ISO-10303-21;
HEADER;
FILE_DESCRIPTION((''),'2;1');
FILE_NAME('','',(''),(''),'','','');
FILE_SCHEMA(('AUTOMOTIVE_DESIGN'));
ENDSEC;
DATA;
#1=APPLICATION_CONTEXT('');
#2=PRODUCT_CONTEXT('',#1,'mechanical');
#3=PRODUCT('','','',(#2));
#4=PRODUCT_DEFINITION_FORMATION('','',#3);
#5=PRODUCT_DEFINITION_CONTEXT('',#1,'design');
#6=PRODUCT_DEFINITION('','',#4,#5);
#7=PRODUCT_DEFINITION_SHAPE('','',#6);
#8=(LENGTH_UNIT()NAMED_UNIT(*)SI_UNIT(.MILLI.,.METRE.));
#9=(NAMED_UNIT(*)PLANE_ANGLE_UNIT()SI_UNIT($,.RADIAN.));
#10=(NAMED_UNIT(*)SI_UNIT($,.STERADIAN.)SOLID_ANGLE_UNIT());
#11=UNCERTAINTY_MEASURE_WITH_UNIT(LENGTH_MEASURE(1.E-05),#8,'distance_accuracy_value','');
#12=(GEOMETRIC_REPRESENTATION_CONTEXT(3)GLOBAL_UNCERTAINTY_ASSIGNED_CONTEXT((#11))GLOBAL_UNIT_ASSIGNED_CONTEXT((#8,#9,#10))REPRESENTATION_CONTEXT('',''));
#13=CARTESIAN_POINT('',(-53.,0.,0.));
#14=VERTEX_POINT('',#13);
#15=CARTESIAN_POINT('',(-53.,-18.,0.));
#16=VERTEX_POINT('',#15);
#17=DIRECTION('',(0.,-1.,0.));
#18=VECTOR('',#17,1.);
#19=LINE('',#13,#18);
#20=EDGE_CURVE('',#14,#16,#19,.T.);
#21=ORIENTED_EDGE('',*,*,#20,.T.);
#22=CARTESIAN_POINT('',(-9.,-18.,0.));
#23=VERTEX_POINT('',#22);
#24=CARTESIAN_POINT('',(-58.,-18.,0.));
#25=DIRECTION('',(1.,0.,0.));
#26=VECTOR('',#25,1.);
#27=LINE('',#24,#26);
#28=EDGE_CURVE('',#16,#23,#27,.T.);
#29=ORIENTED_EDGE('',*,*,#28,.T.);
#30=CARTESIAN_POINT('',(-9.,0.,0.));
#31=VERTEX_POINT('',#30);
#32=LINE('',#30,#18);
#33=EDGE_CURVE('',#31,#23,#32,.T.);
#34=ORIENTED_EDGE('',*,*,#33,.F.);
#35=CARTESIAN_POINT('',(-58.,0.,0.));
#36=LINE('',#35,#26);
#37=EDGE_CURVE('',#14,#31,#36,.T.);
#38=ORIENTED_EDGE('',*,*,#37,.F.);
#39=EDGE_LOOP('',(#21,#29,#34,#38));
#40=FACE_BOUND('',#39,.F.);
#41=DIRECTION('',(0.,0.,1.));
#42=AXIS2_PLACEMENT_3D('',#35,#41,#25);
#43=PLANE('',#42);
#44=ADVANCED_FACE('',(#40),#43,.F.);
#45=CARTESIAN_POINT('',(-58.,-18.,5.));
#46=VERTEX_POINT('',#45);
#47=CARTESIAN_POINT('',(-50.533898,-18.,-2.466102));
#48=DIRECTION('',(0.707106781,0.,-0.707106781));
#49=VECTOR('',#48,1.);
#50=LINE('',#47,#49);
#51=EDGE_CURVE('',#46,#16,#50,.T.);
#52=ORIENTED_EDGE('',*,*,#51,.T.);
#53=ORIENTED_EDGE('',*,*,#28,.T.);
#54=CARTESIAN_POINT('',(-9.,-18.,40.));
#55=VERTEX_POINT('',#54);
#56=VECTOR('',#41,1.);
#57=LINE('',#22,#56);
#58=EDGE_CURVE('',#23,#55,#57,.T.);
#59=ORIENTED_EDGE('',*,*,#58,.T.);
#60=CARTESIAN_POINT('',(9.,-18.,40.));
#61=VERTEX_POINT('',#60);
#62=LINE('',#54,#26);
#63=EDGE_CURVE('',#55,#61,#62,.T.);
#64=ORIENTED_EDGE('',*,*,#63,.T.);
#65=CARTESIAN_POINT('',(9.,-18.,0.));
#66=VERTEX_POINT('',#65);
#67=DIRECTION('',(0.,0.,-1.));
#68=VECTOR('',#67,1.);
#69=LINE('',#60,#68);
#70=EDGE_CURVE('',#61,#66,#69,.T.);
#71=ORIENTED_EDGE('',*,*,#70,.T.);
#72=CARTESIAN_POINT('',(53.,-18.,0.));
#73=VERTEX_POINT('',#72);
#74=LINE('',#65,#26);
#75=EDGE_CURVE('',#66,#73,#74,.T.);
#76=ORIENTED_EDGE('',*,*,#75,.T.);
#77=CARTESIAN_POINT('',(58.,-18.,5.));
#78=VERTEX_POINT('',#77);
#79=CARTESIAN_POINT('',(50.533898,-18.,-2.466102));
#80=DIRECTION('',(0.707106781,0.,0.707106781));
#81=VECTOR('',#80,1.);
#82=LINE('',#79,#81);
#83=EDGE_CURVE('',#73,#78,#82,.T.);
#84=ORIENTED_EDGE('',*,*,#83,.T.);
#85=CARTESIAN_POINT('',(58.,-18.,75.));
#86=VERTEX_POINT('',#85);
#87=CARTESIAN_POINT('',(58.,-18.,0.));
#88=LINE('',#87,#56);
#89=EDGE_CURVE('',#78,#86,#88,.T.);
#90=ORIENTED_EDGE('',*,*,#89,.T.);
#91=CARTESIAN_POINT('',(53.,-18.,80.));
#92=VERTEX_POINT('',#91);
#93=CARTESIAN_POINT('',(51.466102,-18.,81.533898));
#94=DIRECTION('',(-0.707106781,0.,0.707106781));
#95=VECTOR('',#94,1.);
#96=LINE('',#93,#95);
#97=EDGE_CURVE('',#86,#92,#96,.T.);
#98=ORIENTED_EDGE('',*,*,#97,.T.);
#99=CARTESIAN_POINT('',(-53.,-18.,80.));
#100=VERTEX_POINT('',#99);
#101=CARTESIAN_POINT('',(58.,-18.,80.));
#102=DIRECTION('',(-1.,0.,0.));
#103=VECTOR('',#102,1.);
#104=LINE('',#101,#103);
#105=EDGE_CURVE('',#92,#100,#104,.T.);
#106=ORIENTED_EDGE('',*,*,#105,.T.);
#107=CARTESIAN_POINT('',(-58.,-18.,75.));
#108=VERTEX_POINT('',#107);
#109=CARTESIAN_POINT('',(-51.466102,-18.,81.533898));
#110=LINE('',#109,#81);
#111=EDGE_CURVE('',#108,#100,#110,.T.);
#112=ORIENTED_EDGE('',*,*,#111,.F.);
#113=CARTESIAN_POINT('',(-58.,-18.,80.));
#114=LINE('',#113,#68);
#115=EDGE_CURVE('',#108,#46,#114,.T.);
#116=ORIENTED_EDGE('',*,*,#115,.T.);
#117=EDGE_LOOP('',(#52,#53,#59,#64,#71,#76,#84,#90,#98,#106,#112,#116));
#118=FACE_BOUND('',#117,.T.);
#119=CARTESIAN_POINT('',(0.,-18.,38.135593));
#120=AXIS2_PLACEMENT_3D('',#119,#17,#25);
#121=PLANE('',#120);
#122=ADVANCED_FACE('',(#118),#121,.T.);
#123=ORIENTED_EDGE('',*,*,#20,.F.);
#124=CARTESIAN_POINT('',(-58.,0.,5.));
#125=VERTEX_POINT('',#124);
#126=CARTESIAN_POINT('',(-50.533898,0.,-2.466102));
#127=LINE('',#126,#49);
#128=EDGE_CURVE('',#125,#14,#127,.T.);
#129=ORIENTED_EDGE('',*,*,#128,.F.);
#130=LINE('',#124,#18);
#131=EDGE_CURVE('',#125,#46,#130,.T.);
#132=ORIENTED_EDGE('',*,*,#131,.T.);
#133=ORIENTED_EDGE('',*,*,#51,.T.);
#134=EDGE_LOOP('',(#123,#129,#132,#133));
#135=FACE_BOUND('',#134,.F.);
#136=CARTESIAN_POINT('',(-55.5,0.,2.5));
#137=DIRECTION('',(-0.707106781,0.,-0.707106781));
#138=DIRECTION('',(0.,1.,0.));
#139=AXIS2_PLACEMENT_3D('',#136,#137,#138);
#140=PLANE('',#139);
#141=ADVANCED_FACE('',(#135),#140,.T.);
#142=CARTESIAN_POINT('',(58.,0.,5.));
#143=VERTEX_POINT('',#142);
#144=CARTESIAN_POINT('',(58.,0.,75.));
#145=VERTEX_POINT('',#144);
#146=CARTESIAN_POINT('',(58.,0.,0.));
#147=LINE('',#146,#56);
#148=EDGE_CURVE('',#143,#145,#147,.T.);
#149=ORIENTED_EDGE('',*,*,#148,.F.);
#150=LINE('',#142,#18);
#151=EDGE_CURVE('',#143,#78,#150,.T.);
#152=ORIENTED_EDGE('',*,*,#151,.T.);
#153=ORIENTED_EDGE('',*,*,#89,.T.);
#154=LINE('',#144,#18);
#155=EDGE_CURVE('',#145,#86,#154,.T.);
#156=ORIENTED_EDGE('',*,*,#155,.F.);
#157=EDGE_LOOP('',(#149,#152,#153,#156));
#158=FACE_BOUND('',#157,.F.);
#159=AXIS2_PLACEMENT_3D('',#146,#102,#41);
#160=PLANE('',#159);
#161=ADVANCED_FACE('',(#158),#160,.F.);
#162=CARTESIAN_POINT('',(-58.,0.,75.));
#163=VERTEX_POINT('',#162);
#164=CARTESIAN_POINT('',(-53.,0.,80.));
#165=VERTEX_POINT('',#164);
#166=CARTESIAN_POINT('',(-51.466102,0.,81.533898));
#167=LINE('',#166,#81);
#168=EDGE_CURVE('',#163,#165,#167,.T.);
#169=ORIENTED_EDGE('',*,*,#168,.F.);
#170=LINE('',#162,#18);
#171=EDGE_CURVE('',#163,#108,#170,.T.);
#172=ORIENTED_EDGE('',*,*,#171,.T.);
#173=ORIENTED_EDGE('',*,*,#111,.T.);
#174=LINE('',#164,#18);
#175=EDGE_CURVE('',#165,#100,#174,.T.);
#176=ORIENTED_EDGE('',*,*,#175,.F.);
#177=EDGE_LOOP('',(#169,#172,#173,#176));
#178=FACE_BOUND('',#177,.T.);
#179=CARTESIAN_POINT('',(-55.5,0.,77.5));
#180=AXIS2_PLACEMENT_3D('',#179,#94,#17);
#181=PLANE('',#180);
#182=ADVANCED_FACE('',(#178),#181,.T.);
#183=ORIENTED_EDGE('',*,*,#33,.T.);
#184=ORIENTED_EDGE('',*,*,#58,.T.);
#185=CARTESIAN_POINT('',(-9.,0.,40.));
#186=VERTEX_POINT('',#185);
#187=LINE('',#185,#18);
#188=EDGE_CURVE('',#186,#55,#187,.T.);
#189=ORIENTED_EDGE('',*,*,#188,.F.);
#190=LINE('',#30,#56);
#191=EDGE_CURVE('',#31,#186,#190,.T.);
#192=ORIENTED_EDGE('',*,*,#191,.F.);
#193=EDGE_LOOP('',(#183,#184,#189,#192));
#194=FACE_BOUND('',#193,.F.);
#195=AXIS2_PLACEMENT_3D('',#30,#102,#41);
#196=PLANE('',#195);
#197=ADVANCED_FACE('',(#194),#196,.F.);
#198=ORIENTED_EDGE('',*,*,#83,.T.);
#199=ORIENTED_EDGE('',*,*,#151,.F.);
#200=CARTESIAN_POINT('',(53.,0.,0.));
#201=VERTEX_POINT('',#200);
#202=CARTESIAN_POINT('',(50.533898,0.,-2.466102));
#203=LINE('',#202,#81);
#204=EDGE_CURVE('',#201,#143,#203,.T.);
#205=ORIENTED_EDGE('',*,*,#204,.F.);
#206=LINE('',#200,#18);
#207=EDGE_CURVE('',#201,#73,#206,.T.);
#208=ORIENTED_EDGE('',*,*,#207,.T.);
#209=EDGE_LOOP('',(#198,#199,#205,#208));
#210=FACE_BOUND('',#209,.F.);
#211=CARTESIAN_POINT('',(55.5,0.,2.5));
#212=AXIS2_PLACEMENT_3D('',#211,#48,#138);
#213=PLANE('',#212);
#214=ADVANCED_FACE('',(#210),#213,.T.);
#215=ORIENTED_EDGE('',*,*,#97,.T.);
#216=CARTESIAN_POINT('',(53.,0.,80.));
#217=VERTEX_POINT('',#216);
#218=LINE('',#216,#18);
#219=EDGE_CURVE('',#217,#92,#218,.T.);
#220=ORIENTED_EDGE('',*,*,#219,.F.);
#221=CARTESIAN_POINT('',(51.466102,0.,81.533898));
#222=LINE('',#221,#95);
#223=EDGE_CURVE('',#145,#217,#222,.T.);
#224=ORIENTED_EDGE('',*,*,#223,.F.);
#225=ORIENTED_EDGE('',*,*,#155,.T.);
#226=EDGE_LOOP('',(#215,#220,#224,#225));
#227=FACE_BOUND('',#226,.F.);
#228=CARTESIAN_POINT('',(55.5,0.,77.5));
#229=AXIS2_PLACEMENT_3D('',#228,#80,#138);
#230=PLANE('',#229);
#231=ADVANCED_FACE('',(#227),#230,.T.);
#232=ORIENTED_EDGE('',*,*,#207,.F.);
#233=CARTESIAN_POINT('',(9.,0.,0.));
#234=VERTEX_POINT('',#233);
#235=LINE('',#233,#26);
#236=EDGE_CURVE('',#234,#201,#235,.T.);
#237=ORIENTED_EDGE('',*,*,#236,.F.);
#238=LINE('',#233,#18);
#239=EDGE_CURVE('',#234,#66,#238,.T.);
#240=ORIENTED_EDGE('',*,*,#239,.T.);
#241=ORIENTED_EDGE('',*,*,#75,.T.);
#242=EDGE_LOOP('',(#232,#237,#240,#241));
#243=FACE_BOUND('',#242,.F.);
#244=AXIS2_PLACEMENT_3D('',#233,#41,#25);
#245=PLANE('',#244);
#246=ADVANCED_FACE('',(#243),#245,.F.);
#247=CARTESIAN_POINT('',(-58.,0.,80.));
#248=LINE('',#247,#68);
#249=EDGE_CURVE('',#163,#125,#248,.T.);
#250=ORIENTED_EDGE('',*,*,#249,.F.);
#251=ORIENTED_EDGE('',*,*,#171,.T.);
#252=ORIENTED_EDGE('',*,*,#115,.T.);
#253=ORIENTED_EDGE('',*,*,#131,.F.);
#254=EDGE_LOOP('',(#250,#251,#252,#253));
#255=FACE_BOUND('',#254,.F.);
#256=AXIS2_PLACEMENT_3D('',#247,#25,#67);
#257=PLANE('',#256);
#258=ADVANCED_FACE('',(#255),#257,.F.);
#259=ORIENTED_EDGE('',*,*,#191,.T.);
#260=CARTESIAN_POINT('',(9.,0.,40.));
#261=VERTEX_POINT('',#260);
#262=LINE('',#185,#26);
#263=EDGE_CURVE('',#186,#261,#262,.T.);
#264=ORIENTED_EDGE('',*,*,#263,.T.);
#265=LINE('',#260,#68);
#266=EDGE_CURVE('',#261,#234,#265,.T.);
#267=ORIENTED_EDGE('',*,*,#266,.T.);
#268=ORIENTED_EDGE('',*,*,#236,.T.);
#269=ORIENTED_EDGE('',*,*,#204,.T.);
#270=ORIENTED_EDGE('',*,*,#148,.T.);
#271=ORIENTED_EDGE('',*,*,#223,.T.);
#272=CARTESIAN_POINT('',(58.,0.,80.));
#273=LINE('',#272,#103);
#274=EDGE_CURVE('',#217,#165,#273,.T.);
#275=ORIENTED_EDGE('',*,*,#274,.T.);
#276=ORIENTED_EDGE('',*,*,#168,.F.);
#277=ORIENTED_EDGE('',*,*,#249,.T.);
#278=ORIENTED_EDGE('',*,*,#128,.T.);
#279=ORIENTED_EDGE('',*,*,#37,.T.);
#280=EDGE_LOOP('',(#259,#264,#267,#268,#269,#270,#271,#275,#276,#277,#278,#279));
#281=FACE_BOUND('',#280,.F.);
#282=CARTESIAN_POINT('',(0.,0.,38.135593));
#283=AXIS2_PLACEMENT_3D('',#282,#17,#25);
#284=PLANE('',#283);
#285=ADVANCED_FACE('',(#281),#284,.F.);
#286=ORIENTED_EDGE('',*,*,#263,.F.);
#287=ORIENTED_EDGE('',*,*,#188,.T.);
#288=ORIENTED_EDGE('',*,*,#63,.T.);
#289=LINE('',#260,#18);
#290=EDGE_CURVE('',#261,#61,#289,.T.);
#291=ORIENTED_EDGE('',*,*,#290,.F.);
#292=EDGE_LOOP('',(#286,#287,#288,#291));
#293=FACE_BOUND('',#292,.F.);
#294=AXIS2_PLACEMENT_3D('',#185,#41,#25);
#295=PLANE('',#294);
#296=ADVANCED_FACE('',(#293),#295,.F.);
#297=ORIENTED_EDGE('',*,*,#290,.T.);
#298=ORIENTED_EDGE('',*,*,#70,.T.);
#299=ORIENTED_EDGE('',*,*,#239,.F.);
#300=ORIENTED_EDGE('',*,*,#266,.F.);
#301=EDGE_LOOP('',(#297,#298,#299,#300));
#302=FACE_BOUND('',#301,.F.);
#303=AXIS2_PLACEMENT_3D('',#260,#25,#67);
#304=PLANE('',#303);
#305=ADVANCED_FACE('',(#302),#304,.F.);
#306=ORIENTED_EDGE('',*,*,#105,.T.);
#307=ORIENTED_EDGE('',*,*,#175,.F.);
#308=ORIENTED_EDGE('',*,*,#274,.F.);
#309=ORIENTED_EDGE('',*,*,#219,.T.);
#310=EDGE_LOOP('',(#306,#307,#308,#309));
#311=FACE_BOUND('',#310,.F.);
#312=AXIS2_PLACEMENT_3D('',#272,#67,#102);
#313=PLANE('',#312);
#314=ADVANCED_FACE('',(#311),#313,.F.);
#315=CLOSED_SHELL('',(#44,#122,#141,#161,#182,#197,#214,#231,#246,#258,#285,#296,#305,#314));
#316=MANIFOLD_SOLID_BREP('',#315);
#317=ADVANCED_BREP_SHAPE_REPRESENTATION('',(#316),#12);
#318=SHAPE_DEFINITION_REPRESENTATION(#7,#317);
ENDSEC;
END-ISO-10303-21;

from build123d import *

# Parameters (mm, degrees)
F1_DEPTH = 18
F2_SIZE  = 5


with BuildPart() as f1:
    # F0 (on Front) → F1 (new body)
    with BuildSketch(Plane.XZ):
        Polygon((-58, 80), (-58, 0), (-9, 0), (-9, 40), (9, 40), (9, 0), (58, 0), (58, 80), align=None)
    extrude(amount=F1_DEPTH)

    # F2
    f2_edges = [f1.edges().sort_by_distance(p)[0] for p in [
        (-58, -9, 80),
        (-58, -9, 0),
        (58, -9, 80),
        (58, -9, 0),
    ]]
    chamfer(f2_edges, length=F2_SIZE)


solid = f1.part
